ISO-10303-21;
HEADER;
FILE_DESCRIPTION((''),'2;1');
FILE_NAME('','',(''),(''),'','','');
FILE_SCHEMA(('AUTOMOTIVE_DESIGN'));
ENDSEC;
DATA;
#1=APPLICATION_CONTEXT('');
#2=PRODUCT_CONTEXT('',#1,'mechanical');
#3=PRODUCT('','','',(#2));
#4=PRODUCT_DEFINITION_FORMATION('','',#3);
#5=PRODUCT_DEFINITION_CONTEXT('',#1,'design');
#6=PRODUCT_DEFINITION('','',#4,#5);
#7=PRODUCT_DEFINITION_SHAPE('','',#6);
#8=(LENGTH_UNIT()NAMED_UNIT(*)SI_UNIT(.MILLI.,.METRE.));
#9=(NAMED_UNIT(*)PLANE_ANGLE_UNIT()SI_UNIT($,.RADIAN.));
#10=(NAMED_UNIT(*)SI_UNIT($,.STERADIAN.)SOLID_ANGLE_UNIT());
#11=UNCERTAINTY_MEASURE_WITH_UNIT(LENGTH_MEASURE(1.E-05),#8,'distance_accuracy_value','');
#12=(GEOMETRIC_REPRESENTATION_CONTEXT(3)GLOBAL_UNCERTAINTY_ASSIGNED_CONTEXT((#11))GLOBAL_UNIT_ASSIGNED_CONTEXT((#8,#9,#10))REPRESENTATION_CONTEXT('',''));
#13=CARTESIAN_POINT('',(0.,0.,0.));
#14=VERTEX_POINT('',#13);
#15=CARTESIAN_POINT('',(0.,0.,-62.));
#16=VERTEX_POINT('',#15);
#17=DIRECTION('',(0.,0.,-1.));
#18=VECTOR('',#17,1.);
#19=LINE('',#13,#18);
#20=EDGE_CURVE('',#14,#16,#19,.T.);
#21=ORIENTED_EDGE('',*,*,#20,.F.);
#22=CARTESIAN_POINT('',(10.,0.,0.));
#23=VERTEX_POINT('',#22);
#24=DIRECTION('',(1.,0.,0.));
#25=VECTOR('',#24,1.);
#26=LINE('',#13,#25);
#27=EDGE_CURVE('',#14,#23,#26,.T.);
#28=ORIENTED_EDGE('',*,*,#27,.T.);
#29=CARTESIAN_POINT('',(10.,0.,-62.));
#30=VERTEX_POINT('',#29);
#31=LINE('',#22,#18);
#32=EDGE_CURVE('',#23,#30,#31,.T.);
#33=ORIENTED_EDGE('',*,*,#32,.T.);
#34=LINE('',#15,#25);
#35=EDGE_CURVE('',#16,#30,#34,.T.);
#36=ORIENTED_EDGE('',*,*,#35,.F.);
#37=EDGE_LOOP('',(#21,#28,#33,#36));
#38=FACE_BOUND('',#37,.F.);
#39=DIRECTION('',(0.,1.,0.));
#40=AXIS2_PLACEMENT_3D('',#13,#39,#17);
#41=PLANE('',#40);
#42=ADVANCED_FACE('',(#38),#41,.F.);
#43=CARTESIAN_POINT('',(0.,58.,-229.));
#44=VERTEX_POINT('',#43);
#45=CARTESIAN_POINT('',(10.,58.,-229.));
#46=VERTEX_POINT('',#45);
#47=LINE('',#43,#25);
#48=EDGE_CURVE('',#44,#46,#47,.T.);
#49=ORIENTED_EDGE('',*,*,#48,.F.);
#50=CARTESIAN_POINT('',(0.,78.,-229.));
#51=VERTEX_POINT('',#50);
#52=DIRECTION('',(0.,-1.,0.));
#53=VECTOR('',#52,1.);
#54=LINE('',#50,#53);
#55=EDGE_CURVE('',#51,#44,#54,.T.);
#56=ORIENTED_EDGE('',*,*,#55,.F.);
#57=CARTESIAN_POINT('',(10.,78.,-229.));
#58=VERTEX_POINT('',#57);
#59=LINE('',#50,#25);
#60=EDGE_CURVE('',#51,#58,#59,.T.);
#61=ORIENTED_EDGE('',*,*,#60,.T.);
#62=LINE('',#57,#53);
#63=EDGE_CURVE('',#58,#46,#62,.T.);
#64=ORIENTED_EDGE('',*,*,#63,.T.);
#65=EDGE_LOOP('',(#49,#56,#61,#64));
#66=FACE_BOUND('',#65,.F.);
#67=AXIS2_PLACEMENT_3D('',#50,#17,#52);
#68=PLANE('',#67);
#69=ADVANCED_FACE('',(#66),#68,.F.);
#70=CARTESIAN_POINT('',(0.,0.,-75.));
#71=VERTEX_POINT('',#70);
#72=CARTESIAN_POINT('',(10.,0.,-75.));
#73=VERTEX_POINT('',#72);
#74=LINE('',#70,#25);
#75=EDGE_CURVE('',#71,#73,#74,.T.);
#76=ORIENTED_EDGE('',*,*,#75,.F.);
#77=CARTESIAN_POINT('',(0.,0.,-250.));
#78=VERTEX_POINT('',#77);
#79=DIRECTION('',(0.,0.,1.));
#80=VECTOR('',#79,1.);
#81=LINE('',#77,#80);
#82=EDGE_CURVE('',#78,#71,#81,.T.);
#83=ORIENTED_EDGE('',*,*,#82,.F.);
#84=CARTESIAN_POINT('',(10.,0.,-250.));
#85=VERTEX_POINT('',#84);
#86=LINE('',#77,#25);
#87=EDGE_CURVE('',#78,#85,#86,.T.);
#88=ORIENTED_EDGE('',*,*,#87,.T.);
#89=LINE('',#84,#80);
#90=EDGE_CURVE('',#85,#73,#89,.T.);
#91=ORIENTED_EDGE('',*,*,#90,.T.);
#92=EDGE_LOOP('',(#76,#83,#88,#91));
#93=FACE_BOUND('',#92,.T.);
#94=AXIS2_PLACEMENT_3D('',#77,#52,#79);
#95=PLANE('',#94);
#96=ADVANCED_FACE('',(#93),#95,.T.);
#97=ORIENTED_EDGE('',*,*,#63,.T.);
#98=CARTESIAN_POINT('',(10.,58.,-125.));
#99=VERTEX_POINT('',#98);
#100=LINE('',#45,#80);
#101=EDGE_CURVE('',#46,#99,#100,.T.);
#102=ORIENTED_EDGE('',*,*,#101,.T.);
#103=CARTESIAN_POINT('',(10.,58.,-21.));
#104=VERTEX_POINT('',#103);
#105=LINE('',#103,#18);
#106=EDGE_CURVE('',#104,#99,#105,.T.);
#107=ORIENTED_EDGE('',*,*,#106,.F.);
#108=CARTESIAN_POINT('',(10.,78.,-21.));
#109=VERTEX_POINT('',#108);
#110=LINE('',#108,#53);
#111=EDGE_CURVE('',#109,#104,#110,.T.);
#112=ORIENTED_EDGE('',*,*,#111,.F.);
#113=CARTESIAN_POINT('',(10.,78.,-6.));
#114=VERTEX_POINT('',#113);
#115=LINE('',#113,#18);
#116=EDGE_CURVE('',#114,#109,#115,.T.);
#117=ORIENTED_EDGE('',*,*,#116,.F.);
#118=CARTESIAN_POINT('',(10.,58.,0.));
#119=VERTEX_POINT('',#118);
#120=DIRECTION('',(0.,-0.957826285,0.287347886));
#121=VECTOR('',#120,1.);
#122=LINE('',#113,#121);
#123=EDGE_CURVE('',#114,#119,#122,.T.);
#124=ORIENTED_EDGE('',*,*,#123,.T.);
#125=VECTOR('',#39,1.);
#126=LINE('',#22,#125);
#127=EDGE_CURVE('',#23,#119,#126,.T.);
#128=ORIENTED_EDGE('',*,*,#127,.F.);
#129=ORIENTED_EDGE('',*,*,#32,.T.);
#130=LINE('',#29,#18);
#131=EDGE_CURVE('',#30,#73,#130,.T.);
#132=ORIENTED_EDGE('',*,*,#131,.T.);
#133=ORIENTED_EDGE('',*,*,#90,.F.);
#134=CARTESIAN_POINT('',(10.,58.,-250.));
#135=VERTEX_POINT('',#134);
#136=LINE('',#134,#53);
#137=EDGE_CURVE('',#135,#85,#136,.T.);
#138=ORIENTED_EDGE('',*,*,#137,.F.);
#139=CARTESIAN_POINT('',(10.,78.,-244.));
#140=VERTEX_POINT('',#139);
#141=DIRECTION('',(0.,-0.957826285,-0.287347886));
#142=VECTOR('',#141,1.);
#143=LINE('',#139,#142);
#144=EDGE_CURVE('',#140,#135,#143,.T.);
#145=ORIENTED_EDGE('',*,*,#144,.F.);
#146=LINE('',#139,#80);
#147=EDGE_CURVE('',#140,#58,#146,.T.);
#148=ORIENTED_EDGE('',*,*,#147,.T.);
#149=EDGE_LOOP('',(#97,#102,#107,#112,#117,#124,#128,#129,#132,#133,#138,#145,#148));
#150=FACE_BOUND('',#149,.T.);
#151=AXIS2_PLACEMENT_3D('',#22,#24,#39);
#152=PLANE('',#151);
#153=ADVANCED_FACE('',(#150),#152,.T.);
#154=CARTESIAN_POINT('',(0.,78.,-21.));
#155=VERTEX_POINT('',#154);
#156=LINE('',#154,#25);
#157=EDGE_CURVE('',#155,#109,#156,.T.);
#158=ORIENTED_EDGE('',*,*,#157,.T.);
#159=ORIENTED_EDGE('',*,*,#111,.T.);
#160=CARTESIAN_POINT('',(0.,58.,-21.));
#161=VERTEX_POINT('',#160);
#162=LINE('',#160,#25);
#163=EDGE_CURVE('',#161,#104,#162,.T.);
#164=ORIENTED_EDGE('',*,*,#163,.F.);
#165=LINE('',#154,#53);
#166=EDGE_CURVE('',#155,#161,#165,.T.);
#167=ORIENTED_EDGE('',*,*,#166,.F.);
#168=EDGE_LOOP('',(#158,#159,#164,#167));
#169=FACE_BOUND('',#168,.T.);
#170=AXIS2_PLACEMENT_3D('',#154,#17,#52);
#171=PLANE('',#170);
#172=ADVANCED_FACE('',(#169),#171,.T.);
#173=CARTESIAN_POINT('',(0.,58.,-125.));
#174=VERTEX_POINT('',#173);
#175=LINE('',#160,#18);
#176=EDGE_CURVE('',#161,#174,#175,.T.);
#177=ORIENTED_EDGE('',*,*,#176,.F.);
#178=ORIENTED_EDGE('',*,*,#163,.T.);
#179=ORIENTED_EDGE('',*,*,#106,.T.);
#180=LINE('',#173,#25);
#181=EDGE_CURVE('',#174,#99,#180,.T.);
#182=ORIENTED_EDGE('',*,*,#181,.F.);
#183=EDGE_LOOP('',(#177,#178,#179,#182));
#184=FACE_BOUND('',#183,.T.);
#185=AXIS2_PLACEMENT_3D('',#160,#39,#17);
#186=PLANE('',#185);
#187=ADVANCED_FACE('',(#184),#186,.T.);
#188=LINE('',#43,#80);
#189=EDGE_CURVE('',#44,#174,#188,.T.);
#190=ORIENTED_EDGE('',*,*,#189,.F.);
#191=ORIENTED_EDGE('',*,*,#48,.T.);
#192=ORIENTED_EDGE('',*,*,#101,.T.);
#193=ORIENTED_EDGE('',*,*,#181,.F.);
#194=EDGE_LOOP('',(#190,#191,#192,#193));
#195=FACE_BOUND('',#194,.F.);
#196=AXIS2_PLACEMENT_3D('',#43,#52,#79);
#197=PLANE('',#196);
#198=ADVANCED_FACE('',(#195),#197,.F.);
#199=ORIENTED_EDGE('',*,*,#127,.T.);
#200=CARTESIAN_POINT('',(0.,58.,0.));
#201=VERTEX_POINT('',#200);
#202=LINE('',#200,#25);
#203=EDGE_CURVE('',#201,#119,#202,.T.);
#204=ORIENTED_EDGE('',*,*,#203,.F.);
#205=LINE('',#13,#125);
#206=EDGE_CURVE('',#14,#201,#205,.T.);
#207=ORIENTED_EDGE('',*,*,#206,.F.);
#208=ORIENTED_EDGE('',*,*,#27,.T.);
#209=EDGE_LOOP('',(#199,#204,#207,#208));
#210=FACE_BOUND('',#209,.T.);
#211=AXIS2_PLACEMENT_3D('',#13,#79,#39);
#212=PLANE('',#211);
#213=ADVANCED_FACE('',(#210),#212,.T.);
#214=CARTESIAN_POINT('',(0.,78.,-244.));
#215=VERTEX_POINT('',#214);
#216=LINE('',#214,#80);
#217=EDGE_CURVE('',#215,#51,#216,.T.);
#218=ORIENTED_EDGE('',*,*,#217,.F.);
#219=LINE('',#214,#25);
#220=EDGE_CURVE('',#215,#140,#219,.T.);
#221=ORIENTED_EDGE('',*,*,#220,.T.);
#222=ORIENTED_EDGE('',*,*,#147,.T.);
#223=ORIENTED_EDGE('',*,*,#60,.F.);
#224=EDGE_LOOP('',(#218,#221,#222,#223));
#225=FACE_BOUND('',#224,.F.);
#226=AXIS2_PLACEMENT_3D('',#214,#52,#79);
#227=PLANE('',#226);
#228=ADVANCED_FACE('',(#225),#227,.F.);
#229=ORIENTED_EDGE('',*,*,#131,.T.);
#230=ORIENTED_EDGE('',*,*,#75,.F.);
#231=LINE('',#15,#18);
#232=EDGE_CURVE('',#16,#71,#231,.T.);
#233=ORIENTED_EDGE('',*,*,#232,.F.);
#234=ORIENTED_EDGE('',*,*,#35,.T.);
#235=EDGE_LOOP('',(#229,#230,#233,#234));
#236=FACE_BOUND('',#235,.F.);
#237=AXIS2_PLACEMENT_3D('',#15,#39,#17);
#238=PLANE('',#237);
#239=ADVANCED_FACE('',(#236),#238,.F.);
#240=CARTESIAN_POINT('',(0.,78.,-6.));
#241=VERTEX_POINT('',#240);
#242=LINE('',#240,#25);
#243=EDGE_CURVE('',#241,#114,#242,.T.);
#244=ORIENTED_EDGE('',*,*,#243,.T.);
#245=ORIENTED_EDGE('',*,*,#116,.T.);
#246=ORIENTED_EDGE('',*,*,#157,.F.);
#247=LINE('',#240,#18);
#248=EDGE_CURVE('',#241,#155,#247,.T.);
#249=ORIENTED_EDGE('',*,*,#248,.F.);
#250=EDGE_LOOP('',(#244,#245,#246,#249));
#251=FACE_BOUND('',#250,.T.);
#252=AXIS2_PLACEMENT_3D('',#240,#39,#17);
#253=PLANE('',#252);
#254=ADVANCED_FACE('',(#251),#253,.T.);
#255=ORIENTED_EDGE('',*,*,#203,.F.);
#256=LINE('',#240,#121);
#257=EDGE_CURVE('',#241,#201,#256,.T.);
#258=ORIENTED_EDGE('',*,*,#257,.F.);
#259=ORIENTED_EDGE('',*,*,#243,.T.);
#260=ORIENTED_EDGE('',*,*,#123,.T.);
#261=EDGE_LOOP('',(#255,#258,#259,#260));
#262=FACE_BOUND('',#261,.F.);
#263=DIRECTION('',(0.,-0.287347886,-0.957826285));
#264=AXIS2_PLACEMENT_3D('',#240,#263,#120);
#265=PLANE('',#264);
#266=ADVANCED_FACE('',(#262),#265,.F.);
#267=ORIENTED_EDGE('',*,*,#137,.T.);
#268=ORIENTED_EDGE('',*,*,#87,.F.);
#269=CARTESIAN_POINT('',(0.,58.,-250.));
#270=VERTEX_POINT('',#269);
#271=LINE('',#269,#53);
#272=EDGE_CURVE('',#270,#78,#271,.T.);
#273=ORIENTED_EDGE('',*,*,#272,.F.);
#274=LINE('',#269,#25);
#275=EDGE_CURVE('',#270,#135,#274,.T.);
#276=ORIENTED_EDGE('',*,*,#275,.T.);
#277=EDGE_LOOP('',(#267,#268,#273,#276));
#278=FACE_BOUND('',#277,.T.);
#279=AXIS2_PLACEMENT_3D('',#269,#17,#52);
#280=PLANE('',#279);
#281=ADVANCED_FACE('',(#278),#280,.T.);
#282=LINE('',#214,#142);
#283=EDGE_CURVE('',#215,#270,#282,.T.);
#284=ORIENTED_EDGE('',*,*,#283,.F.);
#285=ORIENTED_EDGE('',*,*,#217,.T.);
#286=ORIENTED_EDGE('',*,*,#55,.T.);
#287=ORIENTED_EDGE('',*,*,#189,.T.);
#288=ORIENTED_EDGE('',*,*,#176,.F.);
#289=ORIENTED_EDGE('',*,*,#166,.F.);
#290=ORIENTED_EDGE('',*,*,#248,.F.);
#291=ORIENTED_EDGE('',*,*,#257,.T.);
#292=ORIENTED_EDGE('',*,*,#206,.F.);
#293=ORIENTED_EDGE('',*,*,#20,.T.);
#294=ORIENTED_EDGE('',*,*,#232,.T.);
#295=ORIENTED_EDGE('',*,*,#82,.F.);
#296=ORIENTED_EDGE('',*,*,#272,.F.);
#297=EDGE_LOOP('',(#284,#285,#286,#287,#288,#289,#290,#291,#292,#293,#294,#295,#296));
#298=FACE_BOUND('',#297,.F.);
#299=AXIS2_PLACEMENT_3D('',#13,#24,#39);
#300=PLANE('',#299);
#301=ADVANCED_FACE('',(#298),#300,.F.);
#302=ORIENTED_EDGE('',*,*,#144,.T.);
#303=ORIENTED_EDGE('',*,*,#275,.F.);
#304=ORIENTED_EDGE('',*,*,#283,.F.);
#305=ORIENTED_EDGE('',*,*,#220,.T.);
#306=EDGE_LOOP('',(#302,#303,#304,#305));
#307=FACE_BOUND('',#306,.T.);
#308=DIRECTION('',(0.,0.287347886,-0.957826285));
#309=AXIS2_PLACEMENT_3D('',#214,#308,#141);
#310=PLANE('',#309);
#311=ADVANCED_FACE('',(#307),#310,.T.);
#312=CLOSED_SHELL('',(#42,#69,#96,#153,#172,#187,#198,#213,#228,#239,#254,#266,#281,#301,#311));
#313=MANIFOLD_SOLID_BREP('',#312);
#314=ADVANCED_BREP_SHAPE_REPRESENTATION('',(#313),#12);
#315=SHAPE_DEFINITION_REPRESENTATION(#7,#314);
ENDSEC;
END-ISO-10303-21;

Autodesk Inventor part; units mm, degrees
ref_plane "YZ Plane" through (0, 0, 0) normal (1, 0, 0) x (0, 1, 0)
ref_plane "XZ Plane" through (0, 0, 0) normal (0, 1, 0) x (-1, 0, 0)
ref_plane "XY Plane" through (0, 0, 0) normal (0, 0, 1) x (1, 0, 0)
sketch "Sketch1" plane through (0, 0, 0) normal (1, 0, 0) x (0, 1, 0)
  line L0 (0, 0) -> (58, 0)
  line L1 (58, -250) -> (0, -250)
  line L2 (78, -6) -> (78, -21)
  line L3 (78, -21) -> (58, -21)
  line L4 (58, -21) -> (58, -125)
  line L5 (78, -21) -> (78, -6)
  line L6 (78, -21) -> (78, -6)
  line L7 (58, -229) -> (58, -125)
  line L8 (78, -229) -> (58, -229)
  line L9 (78, -244) -> (58, -250)
  line L10 (78, -244) -> (78, -229)
  line L11 (0, 0) -> (0, -62)
  line L12 (78, -6) -> (78, -21)
  line L13 (78, -229) -> (78, -244)
  line L14 (0, -250) -> (0, -75)
  line L15 (0, -62) -> (0, 0)
  line L16 (58, 0) -> (0, 0)
  line L17 (0, 0) -> (0, -62)
  line L18 (0, -75) -> (0, -250)
  line L19 (0, -250) -> (58, -250)
  line L20 (58, 0) -> (0, 0)
  line L21 (0, -62) -> (0, -75)
  line L22 (78, -6) -> (58, 0)
  dimension "d0" = 62
  dimension "d4" = 15
  dimension "d5" = 15
  dimension "d6" = 208
extrude "Extrusion1" add sketch "Sketch1" along normal blind 10
properties part number "Left Side" material "Steel"
